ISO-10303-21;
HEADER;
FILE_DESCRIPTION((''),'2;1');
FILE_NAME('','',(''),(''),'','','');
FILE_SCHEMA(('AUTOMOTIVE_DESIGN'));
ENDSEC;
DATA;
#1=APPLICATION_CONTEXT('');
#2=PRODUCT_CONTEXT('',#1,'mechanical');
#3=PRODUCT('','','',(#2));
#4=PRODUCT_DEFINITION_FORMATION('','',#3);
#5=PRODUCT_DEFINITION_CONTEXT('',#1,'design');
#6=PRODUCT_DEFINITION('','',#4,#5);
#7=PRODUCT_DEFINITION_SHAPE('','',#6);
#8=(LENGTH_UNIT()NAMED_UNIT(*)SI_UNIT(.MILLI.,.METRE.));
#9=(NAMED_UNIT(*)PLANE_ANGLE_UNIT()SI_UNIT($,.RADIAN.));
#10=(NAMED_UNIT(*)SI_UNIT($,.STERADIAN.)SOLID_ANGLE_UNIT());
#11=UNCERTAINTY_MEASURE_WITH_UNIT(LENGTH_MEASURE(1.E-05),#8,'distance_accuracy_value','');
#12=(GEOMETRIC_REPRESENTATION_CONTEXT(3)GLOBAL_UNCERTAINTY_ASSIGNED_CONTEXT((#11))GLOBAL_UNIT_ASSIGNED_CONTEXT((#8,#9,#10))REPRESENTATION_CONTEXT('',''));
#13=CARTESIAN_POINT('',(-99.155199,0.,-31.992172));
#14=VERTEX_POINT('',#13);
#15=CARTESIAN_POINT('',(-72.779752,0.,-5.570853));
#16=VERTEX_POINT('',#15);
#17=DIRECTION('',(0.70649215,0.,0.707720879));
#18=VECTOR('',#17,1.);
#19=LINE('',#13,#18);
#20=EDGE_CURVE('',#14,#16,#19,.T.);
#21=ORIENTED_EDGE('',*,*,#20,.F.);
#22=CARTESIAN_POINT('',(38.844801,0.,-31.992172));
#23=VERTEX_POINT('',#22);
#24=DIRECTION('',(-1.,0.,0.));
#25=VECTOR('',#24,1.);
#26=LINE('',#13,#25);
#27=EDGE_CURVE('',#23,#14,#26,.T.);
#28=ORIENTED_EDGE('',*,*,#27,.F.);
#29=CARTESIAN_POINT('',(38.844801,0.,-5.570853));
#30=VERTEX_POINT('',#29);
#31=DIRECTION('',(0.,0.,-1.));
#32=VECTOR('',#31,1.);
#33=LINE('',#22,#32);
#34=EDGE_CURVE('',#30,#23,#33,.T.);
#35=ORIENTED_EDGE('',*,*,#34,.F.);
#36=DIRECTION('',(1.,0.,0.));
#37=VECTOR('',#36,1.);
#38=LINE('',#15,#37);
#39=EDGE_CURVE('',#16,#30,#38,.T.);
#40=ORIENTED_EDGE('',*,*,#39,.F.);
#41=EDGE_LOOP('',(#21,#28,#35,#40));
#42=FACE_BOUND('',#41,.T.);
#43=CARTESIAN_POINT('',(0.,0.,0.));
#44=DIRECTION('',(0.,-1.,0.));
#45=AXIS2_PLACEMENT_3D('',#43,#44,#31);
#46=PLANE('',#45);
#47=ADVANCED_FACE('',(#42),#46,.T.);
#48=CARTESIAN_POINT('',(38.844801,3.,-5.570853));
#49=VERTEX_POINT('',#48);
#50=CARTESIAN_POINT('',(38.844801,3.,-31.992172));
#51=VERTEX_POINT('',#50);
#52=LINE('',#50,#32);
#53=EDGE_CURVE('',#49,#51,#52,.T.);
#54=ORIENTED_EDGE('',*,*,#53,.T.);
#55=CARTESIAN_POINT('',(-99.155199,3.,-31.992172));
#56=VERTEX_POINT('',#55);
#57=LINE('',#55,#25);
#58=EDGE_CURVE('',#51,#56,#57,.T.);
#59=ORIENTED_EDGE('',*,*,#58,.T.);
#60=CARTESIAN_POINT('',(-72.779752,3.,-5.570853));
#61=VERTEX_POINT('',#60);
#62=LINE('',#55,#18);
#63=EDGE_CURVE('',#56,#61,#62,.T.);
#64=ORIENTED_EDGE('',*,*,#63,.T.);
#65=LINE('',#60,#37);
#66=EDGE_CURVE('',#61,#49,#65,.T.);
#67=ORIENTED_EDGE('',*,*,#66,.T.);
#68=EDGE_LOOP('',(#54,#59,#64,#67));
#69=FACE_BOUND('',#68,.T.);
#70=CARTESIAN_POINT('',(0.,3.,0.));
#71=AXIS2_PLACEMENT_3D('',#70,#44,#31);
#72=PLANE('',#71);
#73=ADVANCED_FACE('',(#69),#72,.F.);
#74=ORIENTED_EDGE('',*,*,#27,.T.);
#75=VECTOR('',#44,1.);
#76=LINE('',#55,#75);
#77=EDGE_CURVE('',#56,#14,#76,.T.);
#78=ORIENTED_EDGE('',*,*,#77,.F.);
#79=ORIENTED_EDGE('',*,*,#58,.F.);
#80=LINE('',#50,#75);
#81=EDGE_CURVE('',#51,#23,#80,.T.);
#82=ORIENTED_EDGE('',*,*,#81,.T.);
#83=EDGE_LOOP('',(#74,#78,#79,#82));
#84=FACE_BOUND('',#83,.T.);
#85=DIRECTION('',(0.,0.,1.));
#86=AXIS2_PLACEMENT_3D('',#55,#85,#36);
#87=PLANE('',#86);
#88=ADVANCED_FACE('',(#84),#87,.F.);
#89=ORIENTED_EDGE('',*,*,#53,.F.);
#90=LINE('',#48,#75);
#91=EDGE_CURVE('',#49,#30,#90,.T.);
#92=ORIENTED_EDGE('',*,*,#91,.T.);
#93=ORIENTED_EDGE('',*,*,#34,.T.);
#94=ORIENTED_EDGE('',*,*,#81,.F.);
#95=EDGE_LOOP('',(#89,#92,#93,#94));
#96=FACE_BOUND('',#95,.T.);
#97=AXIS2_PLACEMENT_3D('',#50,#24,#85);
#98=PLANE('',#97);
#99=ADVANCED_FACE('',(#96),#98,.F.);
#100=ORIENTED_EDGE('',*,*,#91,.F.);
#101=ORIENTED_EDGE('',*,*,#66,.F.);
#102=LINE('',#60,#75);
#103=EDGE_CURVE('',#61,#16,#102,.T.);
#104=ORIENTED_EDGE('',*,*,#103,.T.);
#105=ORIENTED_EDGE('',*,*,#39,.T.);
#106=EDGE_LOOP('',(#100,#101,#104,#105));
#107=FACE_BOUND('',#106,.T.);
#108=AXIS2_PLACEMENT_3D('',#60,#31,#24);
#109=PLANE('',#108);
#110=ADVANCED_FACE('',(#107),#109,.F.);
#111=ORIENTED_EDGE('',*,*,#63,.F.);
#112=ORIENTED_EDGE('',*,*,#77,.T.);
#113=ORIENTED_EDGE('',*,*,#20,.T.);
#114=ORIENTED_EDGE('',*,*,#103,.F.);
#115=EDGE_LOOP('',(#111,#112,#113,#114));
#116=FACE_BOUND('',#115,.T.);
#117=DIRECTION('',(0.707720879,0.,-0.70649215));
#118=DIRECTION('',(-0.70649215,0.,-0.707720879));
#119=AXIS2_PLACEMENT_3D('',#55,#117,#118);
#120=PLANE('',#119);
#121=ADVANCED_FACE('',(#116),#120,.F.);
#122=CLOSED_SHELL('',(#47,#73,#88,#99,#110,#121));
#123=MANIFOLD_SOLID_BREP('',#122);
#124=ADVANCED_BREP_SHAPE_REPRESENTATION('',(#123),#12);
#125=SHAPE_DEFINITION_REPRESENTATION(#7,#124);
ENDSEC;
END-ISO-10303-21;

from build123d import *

# Parameters (mm, degrees)
BOSS_EXTRUDE1_DEPTH = 3


with BuildPart() as part:
    # Sketch1 → Boss-Extrude1 (new body)
    with BuildSketch(Plane(origin=(0, 0, 0), x_dir=(1, 0, 0), z_dir=(0, 1, 0))):
        Polygon((-99.155199252, 31.992171884), (-72.779752276, 5.570852808), (38.844800748, 5.570852808), (38.844800748, 31.992171884), align=None)
    extrude(amount=BOSS_EXTRUDE1_DEPTH)


solid = part.part
